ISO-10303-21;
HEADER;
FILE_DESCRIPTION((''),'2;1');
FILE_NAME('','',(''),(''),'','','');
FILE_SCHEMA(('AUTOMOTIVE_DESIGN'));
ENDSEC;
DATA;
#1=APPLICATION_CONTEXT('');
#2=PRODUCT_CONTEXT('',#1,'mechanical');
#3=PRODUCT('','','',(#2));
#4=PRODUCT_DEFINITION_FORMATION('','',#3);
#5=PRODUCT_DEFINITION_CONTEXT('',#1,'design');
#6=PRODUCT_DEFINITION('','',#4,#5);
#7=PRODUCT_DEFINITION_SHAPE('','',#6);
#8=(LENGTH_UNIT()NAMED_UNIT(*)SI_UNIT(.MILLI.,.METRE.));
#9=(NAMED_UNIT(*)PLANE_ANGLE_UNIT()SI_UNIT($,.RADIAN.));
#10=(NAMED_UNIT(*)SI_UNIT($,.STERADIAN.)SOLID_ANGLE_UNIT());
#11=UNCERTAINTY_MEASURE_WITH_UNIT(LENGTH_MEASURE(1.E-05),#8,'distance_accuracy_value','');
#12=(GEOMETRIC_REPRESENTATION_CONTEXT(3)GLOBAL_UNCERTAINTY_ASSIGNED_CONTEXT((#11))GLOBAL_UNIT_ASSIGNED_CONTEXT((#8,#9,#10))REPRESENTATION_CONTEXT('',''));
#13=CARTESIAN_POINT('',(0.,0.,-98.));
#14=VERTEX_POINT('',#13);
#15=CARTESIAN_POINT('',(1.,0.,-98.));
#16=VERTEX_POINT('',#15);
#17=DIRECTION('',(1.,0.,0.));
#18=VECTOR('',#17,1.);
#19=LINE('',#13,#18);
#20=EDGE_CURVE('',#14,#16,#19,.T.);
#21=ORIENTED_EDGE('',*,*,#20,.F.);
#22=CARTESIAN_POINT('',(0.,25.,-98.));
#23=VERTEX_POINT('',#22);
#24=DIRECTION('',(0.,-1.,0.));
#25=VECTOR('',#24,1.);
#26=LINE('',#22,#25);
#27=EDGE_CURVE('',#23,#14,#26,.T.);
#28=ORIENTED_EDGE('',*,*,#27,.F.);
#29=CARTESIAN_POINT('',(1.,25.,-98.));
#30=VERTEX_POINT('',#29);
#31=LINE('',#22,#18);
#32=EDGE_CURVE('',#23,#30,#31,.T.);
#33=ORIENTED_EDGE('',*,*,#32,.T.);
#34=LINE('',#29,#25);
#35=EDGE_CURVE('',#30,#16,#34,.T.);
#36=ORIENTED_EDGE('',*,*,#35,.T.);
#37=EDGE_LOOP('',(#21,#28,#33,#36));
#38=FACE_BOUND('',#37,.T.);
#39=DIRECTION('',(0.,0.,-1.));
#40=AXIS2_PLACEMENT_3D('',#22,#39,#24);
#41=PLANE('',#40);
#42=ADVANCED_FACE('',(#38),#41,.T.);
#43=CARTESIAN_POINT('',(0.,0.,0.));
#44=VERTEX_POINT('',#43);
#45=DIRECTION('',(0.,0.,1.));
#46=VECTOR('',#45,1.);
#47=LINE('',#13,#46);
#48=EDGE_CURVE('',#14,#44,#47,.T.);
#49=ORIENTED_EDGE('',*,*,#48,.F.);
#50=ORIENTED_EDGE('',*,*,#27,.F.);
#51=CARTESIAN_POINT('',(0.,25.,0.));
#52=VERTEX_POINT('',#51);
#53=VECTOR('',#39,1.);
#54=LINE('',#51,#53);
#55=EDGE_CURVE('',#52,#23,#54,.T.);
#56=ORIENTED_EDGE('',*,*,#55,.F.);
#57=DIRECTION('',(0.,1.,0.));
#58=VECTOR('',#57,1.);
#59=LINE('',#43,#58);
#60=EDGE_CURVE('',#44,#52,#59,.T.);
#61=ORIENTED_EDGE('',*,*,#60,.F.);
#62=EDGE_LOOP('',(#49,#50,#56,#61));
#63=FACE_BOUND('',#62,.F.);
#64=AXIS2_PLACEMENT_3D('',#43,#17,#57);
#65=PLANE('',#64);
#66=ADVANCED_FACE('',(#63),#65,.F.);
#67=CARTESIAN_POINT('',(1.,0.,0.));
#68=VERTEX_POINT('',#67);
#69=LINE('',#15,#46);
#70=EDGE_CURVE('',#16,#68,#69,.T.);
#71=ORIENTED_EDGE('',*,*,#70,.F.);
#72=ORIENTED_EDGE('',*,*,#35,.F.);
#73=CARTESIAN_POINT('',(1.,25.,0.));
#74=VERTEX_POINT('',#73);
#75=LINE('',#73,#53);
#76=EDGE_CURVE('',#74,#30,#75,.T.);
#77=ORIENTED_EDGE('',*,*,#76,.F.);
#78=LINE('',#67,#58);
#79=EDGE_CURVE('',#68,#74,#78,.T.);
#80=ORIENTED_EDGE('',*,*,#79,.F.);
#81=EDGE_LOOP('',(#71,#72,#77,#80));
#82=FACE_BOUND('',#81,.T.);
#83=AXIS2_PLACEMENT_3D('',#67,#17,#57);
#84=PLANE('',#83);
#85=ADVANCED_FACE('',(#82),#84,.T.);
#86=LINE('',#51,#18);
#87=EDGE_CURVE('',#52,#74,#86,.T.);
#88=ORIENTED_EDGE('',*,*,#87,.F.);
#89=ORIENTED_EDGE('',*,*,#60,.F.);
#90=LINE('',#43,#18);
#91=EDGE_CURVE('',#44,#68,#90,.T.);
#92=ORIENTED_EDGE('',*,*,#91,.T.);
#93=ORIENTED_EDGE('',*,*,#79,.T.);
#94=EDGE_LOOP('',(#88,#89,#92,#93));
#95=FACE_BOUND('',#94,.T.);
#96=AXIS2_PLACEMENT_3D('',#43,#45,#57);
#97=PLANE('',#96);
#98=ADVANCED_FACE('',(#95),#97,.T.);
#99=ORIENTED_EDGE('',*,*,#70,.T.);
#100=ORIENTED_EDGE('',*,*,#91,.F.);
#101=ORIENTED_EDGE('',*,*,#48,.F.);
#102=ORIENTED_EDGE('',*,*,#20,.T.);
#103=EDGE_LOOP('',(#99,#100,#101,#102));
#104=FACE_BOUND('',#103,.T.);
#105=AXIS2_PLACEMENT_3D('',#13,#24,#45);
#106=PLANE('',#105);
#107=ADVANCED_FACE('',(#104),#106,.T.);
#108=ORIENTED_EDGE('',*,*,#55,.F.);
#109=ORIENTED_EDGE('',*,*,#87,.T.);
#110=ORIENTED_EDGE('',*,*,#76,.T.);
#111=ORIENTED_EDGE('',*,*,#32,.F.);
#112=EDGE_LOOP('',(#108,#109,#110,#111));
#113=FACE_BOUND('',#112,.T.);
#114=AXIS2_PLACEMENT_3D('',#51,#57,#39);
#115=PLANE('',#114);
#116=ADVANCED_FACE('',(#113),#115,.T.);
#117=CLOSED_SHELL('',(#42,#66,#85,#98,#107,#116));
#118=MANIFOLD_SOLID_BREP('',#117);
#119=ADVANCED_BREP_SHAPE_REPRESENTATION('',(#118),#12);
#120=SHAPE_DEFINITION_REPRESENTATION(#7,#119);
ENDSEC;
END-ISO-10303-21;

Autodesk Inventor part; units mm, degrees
ref_plane "YZ Plane" through (0, 0, 0) normal (1, 0, 0) x (0, 1, 0)
ref_plane "XZ Plane" through (0, 0, 0) normal (0, 1, 0) x (-1, 0, 0)
ref_plane "XY Plane" through (0, 0, 0) normal (0, 0, 1) x (1, 0, 0)
sketch "Sketch1" plane through (0, 0, 0) normal (1, 0, 0) x (0, 1, 0)
  line L0 (0, 0) -> (25, 0)
  line L1 (25, 0) -> (25, -98)
  line L2 (25, -98) -> (0, -98)
  line L3 (0, -98) -> (0, 0)
  dimension "d0" = 25
  dimension "d1" = 98
extrude "Extrusion1" add sketch "Sketch1" along normal blind 1
properties part number "ConstructionPlane1"
